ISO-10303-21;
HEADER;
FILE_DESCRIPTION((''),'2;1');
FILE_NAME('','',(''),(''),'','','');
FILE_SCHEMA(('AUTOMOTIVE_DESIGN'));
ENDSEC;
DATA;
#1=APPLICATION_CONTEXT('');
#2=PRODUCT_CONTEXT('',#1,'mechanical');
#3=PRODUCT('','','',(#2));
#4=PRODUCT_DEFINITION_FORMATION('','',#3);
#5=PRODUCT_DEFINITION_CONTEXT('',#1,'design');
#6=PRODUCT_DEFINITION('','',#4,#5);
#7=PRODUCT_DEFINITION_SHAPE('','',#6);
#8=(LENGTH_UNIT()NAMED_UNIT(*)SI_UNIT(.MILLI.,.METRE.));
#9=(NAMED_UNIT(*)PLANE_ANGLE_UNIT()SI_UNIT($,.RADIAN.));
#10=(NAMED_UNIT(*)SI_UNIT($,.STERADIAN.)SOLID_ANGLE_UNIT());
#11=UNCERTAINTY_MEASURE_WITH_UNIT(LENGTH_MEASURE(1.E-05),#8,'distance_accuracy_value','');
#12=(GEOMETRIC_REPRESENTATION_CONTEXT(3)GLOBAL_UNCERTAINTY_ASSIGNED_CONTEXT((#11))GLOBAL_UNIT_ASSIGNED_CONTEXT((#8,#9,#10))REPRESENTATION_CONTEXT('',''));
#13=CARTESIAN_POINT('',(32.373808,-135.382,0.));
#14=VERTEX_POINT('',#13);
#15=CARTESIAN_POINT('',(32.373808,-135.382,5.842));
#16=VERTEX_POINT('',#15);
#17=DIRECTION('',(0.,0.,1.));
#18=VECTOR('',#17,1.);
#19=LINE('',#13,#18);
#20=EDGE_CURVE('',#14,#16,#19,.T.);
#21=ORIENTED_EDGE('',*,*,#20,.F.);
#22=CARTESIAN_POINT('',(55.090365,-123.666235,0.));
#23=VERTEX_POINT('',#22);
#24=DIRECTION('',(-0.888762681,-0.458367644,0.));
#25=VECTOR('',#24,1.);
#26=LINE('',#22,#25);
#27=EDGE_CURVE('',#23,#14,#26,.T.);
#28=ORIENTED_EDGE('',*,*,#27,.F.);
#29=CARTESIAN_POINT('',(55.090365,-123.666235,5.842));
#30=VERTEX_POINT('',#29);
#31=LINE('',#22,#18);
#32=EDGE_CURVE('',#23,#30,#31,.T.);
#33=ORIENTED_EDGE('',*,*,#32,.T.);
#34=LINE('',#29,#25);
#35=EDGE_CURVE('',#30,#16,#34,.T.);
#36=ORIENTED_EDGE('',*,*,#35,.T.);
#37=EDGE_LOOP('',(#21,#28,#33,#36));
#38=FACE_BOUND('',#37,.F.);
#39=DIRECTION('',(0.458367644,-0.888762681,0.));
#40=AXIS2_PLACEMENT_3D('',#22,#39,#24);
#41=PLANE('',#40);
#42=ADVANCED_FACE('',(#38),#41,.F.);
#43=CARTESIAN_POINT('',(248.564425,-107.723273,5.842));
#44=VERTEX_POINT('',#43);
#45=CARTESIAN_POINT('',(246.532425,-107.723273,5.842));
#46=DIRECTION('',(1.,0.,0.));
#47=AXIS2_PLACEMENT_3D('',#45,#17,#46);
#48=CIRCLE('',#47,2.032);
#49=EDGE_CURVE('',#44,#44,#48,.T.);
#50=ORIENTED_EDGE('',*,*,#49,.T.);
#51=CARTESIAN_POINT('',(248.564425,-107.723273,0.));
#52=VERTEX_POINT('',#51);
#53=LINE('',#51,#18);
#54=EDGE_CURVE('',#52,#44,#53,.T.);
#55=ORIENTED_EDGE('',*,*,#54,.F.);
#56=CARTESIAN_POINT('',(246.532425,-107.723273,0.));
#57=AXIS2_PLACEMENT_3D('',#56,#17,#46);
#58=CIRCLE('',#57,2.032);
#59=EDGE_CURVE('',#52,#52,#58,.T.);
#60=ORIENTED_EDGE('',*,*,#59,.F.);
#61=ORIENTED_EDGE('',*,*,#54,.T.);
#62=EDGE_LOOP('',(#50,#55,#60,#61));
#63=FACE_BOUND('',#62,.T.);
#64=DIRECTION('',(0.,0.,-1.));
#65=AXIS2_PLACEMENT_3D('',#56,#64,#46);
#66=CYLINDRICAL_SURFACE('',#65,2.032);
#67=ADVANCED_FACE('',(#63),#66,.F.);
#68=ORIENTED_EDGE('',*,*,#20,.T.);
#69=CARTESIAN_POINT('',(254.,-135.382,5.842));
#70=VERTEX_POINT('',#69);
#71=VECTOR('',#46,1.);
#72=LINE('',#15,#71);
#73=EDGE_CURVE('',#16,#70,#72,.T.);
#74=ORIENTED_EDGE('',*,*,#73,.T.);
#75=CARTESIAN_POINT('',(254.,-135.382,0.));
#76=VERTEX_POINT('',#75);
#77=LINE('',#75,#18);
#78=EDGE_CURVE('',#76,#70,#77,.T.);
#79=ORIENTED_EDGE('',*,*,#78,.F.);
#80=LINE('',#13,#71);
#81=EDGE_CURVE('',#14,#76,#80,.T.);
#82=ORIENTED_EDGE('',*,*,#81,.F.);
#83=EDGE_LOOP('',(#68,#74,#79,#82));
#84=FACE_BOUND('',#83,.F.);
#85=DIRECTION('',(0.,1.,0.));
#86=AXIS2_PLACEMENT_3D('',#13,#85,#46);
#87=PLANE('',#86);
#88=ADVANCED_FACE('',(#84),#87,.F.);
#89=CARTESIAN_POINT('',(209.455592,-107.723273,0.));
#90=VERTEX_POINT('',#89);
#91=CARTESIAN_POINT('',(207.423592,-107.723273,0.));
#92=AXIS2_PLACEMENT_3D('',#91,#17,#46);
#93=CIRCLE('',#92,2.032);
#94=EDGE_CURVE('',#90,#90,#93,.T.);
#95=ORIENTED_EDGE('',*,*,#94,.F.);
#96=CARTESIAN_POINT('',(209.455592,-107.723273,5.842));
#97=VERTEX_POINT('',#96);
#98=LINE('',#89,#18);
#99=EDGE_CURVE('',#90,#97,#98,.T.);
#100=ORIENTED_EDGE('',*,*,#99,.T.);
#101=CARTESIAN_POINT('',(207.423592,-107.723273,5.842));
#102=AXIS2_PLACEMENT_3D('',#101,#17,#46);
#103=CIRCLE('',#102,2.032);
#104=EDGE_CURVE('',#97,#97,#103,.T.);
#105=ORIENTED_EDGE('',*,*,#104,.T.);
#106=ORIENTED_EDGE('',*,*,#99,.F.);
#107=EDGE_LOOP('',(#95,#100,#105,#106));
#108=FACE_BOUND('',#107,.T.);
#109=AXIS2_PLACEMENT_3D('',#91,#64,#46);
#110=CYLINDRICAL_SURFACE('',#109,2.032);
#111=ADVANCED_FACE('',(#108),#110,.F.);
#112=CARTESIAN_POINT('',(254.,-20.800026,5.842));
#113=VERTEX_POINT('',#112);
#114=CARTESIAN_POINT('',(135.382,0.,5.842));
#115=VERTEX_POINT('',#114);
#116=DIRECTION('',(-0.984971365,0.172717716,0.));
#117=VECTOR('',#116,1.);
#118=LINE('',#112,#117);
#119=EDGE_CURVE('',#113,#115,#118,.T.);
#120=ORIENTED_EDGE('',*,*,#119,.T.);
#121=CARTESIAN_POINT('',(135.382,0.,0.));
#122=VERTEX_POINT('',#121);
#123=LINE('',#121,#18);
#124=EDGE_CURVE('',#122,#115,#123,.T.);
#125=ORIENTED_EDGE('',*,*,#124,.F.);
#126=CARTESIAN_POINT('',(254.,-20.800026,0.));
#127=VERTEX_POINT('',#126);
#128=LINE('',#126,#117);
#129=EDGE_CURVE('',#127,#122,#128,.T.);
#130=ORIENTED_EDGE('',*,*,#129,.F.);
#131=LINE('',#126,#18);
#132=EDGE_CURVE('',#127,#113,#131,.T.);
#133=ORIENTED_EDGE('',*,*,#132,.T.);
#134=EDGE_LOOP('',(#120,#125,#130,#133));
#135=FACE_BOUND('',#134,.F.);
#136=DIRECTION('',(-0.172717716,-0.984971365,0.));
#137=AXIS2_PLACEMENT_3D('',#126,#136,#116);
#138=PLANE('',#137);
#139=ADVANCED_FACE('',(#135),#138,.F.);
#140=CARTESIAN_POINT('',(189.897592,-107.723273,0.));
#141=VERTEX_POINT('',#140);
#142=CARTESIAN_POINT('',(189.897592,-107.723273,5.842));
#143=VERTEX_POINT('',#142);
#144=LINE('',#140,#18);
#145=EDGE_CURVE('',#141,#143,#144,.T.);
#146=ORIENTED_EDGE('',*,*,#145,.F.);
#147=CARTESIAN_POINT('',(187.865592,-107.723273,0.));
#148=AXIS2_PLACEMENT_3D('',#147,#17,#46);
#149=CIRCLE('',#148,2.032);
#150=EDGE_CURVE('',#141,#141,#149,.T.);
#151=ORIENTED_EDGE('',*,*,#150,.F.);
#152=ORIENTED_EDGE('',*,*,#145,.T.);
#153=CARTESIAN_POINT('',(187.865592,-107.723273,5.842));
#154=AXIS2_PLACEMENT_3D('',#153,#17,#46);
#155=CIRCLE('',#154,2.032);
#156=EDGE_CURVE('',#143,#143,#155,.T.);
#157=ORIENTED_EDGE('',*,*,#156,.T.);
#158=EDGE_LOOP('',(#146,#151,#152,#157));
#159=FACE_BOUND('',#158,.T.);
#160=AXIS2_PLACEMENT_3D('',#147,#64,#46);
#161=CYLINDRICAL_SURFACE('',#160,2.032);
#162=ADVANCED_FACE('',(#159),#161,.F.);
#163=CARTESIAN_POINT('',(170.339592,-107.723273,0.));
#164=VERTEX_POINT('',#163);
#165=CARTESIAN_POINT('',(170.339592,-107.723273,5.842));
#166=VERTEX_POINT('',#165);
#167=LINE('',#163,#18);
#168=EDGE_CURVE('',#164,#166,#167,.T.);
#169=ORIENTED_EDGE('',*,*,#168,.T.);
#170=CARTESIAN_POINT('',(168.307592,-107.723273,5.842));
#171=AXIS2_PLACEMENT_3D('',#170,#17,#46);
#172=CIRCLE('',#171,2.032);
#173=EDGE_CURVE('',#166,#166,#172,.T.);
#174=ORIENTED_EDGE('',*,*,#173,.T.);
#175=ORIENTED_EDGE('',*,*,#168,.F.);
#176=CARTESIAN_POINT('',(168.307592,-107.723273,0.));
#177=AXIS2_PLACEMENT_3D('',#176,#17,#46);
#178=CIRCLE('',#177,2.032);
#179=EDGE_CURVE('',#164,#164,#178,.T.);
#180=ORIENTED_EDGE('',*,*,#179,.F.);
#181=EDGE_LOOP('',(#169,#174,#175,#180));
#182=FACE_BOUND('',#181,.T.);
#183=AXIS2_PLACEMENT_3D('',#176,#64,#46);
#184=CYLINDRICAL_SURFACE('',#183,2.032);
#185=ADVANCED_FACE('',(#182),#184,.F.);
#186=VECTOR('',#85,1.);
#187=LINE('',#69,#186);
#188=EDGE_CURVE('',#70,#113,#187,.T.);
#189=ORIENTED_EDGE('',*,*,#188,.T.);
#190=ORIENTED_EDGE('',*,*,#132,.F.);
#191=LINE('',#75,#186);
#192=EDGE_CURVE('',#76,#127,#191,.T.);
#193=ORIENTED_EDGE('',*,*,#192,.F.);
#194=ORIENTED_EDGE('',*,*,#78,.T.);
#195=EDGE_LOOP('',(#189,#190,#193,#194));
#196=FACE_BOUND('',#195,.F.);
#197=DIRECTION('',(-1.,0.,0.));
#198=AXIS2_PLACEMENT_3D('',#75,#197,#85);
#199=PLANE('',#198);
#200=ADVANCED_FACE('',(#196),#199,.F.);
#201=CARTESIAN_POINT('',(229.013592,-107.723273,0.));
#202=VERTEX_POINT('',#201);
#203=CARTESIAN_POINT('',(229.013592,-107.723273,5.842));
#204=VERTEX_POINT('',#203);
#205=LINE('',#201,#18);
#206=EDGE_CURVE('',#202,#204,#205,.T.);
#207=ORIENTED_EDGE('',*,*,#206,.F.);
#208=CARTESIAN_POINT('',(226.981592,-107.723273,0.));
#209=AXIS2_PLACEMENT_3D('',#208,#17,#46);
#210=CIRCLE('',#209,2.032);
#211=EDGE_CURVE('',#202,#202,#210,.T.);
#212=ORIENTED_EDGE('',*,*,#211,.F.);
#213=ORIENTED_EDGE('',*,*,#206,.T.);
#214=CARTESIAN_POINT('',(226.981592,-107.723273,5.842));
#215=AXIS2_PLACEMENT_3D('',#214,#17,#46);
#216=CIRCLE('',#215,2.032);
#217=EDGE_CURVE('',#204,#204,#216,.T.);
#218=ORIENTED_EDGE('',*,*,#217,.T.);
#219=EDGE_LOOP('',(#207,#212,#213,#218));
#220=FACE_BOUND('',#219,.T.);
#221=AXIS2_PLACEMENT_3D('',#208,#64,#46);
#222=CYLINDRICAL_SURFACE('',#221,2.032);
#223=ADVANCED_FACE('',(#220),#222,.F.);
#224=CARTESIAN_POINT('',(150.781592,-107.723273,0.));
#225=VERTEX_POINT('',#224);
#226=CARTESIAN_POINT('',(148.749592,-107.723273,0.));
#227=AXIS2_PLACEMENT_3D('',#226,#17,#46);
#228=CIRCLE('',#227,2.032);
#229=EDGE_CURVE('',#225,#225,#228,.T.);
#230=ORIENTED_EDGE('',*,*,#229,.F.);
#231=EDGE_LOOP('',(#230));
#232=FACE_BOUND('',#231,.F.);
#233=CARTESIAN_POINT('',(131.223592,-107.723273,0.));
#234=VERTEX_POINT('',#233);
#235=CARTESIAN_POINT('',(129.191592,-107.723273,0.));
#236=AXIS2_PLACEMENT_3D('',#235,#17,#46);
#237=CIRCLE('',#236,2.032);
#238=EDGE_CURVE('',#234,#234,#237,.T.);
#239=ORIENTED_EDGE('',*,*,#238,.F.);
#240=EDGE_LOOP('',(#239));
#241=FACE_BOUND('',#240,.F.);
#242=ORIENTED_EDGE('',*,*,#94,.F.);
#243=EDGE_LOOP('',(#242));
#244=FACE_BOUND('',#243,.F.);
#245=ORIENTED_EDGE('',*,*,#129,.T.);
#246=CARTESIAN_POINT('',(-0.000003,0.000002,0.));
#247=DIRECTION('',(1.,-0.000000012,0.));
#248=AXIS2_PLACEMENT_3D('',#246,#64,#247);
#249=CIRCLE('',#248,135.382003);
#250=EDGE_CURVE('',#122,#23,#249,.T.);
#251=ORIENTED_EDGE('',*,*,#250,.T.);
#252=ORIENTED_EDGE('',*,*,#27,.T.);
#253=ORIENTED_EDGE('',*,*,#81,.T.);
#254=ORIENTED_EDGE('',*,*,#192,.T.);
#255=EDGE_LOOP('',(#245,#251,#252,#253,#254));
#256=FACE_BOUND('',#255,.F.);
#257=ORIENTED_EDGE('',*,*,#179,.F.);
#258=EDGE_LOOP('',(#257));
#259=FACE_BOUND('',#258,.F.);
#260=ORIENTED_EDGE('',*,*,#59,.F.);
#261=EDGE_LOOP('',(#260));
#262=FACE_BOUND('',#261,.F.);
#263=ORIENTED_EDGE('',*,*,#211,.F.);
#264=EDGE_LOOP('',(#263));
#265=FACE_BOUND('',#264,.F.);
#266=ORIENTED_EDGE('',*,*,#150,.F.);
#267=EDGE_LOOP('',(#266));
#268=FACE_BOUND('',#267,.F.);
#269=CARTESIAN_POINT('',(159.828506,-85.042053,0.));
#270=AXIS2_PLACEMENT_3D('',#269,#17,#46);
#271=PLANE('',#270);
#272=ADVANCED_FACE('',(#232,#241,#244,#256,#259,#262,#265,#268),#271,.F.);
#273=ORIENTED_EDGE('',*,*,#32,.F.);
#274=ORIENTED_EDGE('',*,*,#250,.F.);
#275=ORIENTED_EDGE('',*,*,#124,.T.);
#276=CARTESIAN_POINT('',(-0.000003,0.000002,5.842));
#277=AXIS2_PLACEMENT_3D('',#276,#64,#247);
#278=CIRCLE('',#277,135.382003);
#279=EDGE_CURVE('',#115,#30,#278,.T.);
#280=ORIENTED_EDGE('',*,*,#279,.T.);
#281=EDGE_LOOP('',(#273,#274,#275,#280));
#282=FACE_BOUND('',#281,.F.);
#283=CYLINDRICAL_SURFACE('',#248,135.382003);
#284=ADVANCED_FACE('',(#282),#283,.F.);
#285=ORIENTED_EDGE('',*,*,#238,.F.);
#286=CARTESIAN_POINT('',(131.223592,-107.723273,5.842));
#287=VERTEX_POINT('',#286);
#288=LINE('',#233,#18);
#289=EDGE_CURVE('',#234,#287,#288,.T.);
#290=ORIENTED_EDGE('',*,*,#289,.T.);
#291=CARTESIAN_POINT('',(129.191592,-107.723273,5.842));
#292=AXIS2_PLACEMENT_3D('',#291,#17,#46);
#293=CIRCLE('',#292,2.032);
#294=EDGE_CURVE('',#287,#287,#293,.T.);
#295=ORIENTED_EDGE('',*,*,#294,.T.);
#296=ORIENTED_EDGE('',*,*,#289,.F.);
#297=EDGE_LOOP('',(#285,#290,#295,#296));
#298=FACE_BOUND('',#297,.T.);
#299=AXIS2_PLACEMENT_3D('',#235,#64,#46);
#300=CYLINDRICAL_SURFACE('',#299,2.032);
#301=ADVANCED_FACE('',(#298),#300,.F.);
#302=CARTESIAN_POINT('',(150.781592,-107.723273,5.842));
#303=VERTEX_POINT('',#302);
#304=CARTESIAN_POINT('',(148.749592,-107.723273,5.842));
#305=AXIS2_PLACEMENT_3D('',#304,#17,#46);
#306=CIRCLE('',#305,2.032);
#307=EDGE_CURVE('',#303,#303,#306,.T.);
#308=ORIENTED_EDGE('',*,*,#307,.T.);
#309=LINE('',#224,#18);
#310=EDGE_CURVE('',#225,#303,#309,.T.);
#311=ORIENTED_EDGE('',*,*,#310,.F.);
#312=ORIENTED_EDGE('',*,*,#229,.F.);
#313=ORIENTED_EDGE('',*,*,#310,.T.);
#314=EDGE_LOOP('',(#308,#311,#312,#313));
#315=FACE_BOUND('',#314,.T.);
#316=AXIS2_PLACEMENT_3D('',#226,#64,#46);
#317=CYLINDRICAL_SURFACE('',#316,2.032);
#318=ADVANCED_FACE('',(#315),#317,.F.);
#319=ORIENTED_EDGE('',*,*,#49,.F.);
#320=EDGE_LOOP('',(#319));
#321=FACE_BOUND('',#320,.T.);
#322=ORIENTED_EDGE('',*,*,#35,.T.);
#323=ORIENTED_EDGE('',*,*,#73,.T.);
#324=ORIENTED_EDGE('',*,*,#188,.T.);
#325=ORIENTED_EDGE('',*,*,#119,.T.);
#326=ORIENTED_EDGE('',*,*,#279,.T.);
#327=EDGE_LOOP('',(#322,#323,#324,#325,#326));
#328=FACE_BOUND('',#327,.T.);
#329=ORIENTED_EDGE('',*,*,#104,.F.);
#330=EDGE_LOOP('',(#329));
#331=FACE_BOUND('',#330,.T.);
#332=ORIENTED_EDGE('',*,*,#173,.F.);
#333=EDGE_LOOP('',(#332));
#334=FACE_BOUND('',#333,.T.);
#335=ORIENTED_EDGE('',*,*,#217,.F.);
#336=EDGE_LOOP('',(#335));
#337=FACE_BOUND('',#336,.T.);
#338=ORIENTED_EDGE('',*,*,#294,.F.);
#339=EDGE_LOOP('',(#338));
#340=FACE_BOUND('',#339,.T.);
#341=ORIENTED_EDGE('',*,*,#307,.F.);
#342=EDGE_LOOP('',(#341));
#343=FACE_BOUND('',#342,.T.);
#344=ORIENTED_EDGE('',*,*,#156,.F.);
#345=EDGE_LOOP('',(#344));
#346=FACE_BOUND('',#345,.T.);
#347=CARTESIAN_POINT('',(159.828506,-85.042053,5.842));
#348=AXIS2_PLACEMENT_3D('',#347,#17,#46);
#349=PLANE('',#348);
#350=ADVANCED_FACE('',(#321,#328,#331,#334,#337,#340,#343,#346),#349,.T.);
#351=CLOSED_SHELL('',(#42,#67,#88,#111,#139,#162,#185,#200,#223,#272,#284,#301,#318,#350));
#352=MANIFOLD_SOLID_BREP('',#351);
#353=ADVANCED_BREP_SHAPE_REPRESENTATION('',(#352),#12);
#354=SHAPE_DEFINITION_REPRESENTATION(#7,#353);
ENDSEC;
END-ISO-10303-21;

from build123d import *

# Parameters (mm, degrees)
F1_R     = 2.032
F2_DEPTH = 5.842


with BuildPart() as f2:
    # F1 (on face) → F2 (new body)
    with BuildSketch(Plane.XY):
        with BuildLine():
            Line((254, -20.800026), (135.382, 0))
            ThreePointArc((135.382, 0), (113.548513, -73.722595), (55.090365, -123.666235))
            Line((55.090365, -123.666235), (32.373808, -135.382))
            Line((32.373808, -135.382), (253.931671, -135.382))
            Line((253.931671, -135.382), (254, -135.382))
            Line((254, -135.382), (254, -20.800026))
        make_face()
        with Locations((129.191592, -107.723273)):
            Circle(F1_R, mode=Mode.SUBTRACT)
        with Locations((148.749592, -107.723273)):
            Circle(F1_R, mode=Mode.SUBTRACT)
        with Locations((168.307592, -107.723273)):
            Circle(F1_R, mode=Mode.SUBTRACT)
        with Locations((187.865592, -107.723273)):
            Circle(F1_R, mode=Mode.SUBTRACT)
        with Locations((207.423592, -107.723273)):
            Circle(F1_R, mode=Mode.SUBTRACT)
        with Locations((226.981592, -107.723273)):
            Circle(F1_R, mode=Mode.SUBTRACT)
        with Locations((246.532425, -107.723273)):
            Circle(F1_R, mode=Mode.SUBTRACT)
    extrude(amount=F2_DEPTH)


solid = f2.part
